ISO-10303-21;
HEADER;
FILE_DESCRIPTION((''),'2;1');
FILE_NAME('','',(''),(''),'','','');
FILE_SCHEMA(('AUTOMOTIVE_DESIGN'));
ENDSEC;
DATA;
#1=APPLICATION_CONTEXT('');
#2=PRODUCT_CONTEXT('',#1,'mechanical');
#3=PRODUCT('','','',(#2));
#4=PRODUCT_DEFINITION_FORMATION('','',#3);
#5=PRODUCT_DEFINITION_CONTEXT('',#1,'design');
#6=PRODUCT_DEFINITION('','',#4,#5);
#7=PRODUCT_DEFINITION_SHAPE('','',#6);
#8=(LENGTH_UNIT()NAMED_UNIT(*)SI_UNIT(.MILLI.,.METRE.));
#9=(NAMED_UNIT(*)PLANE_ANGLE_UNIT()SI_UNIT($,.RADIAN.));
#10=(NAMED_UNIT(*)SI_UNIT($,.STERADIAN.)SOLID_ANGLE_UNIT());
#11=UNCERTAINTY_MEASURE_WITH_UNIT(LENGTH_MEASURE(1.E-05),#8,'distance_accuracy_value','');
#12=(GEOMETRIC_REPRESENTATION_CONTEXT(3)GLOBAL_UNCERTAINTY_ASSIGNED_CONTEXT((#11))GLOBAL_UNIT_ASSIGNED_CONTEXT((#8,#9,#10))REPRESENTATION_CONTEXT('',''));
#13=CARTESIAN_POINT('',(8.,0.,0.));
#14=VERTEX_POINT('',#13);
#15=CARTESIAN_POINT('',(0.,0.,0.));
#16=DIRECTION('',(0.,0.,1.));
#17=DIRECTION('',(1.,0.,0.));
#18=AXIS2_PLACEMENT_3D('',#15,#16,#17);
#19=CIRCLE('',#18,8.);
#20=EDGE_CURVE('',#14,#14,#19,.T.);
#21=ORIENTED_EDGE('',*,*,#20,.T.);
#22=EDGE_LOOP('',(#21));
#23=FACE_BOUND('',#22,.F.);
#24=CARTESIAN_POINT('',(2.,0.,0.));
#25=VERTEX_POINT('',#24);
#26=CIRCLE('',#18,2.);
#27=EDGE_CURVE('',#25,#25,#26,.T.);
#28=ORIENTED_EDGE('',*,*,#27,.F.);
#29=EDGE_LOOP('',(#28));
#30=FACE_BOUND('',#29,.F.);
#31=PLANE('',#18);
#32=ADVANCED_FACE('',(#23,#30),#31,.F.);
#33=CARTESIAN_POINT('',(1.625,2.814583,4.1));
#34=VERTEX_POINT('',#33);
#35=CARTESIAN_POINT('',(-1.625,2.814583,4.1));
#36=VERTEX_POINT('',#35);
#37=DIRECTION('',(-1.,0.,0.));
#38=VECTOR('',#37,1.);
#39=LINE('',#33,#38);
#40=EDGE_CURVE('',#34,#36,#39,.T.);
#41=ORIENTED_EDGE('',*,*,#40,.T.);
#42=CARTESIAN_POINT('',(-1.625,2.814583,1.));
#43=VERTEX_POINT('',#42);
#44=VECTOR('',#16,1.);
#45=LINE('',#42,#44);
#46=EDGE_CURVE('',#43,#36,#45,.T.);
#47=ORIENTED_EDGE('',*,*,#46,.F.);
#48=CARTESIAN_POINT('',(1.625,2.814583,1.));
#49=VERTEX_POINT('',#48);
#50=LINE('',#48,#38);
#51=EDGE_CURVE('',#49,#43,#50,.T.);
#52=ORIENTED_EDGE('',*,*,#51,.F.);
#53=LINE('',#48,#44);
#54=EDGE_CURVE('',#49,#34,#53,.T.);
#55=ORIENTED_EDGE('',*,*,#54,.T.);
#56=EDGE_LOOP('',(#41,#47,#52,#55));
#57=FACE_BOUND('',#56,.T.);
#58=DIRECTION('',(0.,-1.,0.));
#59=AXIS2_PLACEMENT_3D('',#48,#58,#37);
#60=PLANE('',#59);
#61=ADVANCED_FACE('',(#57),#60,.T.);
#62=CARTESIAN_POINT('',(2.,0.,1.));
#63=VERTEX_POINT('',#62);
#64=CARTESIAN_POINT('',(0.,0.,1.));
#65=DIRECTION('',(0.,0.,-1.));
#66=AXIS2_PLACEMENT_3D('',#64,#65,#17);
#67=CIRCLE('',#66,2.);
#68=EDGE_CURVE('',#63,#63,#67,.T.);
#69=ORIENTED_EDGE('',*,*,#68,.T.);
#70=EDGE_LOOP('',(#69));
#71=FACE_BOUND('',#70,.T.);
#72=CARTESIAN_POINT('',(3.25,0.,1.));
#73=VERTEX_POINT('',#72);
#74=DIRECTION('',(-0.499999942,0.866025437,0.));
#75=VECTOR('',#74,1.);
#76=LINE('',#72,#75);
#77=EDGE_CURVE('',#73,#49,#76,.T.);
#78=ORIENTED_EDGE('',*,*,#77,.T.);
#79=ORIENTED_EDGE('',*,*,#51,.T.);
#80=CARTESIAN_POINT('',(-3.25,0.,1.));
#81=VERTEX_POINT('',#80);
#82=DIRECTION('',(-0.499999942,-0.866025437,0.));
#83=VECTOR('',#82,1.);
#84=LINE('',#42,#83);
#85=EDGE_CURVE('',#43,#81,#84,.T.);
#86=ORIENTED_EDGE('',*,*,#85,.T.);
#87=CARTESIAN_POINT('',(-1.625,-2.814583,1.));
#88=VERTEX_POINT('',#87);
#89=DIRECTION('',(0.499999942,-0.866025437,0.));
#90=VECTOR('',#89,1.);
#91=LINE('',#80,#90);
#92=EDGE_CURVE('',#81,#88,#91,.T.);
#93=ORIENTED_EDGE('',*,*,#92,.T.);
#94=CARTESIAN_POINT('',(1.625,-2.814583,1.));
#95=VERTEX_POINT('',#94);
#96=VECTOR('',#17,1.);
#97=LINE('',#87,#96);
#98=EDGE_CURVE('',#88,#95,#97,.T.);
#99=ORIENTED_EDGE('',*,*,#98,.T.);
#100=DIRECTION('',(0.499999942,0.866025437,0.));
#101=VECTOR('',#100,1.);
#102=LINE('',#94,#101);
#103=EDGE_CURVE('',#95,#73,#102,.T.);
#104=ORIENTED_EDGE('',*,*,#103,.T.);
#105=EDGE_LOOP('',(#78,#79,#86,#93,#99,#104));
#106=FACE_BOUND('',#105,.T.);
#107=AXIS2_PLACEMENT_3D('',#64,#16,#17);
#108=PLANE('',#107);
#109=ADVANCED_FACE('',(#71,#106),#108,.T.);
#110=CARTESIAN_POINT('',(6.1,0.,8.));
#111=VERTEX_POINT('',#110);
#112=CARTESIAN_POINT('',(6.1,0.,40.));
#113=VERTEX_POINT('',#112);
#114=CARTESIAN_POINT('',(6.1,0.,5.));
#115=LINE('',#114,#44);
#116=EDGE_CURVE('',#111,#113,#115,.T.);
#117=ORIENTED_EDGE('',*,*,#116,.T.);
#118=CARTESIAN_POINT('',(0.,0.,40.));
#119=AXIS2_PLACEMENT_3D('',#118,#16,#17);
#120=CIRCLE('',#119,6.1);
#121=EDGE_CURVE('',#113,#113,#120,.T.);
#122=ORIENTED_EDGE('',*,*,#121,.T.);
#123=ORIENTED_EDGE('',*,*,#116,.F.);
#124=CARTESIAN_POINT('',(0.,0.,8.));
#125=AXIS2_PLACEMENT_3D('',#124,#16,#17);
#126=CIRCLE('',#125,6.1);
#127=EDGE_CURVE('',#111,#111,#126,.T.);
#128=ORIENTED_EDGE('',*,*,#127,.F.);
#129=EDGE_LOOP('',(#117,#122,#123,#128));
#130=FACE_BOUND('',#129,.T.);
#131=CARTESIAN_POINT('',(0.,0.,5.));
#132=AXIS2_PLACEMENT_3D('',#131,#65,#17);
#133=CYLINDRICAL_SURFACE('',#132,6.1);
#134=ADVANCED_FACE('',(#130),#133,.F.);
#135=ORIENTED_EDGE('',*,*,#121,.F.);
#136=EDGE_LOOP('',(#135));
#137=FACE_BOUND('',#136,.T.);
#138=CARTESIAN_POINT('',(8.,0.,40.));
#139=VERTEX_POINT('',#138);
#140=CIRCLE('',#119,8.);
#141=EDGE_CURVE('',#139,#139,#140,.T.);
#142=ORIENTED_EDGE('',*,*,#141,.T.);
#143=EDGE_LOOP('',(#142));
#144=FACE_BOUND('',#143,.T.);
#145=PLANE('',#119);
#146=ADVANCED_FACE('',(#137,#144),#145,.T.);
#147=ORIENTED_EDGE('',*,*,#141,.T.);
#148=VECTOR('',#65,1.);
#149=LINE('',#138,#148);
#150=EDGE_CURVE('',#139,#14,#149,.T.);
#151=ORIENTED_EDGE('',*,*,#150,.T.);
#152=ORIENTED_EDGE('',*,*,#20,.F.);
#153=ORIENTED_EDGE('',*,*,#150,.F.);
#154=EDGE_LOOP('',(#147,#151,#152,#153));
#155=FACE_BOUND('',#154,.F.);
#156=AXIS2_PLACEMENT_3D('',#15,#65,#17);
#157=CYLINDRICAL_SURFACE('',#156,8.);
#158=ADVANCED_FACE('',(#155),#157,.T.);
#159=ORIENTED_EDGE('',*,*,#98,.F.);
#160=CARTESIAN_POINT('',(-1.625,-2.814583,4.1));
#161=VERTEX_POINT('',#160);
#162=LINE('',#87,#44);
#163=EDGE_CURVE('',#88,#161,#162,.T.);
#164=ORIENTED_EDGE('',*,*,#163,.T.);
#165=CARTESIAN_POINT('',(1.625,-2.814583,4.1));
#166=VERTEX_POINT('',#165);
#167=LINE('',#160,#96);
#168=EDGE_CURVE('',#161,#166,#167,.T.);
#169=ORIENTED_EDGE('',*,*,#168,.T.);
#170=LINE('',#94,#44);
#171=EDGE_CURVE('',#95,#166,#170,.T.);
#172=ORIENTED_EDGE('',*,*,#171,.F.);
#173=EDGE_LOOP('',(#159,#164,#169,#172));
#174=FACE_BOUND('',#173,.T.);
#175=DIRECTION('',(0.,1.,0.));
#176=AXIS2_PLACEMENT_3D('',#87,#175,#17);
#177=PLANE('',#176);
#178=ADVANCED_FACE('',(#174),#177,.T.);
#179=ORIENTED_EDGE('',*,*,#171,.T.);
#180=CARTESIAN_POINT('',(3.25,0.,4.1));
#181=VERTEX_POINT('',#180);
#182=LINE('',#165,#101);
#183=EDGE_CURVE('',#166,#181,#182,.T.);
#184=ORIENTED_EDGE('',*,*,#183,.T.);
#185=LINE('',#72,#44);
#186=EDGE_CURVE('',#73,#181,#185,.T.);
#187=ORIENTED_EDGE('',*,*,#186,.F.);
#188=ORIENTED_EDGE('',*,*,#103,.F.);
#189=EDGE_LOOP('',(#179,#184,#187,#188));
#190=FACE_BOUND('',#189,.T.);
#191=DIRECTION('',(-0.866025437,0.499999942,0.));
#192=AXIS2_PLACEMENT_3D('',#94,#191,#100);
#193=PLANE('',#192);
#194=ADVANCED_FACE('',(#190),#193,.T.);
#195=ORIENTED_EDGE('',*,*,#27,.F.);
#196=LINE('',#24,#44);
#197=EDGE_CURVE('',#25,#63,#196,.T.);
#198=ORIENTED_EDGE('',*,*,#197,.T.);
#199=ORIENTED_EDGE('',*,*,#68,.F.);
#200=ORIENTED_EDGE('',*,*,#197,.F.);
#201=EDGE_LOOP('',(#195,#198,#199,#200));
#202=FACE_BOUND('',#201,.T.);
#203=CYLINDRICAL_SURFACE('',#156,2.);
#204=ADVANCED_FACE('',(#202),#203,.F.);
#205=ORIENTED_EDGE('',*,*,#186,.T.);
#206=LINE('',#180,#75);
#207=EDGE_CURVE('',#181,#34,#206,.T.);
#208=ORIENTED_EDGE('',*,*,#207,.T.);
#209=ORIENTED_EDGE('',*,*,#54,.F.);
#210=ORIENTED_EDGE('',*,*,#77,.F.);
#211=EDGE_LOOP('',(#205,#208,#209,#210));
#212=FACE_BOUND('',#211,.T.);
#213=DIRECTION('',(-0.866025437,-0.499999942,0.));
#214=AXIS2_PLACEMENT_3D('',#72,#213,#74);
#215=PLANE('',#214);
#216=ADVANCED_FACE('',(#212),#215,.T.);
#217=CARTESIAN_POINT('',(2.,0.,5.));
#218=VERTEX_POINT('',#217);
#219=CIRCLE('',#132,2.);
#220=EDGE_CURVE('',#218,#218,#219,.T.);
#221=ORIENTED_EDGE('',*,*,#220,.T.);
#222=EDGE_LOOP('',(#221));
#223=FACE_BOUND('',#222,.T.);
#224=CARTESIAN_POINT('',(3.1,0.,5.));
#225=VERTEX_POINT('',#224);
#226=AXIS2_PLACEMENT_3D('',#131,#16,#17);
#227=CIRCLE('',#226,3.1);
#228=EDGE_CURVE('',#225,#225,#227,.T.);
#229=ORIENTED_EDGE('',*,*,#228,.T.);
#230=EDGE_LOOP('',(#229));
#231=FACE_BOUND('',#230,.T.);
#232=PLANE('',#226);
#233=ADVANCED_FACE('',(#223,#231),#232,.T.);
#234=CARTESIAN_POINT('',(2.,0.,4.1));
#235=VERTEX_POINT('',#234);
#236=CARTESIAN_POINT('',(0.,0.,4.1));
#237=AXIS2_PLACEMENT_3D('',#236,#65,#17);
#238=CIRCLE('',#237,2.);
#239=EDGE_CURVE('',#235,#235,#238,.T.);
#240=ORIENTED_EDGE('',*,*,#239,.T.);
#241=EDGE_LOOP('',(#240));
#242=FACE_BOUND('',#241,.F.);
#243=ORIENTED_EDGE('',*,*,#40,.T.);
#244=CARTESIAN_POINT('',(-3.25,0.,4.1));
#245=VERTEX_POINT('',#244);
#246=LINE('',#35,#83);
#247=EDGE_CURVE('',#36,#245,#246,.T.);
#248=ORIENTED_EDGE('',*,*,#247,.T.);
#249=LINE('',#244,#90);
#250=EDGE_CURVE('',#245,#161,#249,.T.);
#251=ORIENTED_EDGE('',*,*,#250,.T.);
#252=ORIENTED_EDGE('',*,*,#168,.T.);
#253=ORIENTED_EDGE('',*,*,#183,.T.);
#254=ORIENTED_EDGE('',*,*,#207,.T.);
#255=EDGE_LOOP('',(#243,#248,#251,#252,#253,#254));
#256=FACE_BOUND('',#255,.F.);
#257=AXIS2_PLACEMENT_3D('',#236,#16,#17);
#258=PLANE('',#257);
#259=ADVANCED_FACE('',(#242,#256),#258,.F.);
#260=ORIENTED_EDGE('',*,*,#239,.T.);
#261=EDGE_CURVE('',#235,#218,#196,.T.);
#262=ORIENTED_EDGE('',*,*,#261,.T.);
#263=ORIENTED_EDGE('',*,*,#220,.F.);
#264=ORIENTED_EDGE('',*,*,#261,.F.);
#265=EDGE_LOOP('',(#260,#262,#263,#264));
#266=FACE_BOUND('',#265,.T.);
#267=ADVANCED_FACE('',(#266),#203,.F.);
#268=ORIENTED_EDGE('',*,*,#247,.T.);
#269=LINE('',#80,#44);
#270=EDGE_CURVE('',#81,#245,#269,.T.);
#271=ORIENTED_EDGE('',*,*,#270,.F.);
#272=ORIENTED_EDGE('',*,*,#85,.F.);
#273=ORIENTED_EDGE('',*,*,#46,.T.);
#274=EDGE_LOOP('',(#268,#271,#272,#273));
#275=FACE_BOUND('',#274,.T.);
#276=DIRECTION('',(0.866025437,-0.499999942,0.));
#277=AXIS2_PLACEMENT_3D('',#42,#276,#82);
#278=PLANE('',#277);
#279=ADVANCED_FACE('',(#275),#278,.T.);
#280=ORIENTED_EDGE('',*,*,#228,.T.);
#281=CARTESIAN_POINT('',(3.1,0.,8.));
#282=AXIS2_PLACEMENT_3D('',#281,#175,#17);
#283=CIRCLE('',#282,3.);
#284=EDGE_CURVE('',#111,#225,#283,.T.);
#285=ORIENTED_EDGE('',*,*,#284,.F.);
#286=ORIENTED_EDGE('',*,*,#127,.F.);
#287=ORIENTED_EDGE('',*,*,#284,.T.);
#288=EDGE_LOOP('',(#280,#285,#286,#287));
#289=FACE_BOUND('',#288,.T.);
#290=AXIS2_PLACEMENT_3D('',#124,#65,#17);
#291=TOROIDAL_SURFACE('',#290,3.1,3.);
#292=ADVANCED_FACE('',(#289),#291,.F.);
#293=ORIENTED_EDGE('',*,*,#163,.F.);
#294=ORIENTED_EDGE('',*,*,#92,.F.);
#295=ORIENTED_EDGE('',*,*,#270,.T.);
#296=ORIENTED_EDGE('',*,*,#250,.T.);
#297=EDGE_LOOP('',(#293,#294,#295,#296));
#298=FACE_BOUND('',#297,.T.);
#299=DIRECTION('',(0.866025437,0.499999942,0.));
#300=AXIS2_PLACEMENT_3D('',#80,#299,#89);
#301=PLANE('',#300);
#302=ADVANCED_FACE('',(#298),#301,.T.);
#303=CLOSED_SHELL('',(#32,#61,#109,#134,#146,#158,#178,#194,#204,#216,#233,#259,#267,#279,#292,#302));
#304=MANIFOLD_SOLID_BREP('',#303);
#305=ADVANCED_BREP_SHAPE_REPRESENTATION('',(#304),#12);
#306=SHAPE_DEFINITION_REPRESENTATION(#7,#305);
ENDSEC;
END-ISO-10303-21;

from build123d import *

# Parameters (mm, degrees)
PRISM_DEPTH       = 3.1
CYLINDER021_R     = 2
CYLINDER021_DEPTH = 10
CYLINDER020_R     = 8
CYLINDER020_DEPTH = 5
CYLINDER023_R     = 6.1
CYLINDER023_DEPTH = 35
CYLINDER022_R     = 8
CYLINDER022_DEPTH = 35
FILLET_R          = 3


with BuildPart() as prism:
    # Prism → Prism (new body)
    with BuildSketch(Plane.XY.offset(1)):
        Polygon((3.25, 0), (1.625, 2.814583), (-1.625, 2.814583), (-3.25, 0), (-1.625, -2.814583), (1.625, -2.814583), align=None)
    extrude(amount=PRISM_DEPTH)


with BuildPart() as cylinder021:
    # Cylinder021 → Cylinder021 (new body)
    with BuildSketch(Plane.XY):
        Circle(CYLINDER021_R)
    extrude(amount=CYLINDER021_DEPTH)


with BuildPart() as cut017:
    # Cylinder020 → Cylinder020 (new body)
    with BuildSketch(Plane.XY):
        Circle(CYLINDER020_R)
    extrude(amount=CYLINDER020_DEPTH)

    # Cut015: cut Cylinder021
    add(cylinder021.part, mode=Mode.SUBTRACT)

    # Cut017: cut Prism
    add(prism.part, mode=Mode.SUBTRACT)


with BuildPart() as cylinder023:
    # Cylinder023 → Cylinder023 (new body)
    with BuildSketch(Plane.XY):
        Circle(CYLINDER023_R)
    extrude(amount=CYLINDER023_DEPTH)


with BuildPart() as fillet_body:
    # Cylinder022 → Cylinder022 (new body)
    with BuildSketch(Plane.XY):
        Circle(CYLINDER022_R)
    extrude(amount=CYLINDER022_DEPTH)

    # Cut016: cut Cylinder023
    add(cylinder023.part, mode=Mode.SUBTRACT)


with BuildPart() as fillet_body_1:
    # Cut016 placement: moved
    add(fillet_body.part.moved(Location((0, 0, 5))))

    # Fusion010: union Cut017
    add(cut017.part)

    # Fillet
    fillet_edges = [fillet_body_1.edges().sort_by_distance(p)[0] for p in [
        (-6.1, 0, 5),
    ]]
    fillet(fillet_edges, radius=FILLET_R)


solid = fillet_body_1.part
